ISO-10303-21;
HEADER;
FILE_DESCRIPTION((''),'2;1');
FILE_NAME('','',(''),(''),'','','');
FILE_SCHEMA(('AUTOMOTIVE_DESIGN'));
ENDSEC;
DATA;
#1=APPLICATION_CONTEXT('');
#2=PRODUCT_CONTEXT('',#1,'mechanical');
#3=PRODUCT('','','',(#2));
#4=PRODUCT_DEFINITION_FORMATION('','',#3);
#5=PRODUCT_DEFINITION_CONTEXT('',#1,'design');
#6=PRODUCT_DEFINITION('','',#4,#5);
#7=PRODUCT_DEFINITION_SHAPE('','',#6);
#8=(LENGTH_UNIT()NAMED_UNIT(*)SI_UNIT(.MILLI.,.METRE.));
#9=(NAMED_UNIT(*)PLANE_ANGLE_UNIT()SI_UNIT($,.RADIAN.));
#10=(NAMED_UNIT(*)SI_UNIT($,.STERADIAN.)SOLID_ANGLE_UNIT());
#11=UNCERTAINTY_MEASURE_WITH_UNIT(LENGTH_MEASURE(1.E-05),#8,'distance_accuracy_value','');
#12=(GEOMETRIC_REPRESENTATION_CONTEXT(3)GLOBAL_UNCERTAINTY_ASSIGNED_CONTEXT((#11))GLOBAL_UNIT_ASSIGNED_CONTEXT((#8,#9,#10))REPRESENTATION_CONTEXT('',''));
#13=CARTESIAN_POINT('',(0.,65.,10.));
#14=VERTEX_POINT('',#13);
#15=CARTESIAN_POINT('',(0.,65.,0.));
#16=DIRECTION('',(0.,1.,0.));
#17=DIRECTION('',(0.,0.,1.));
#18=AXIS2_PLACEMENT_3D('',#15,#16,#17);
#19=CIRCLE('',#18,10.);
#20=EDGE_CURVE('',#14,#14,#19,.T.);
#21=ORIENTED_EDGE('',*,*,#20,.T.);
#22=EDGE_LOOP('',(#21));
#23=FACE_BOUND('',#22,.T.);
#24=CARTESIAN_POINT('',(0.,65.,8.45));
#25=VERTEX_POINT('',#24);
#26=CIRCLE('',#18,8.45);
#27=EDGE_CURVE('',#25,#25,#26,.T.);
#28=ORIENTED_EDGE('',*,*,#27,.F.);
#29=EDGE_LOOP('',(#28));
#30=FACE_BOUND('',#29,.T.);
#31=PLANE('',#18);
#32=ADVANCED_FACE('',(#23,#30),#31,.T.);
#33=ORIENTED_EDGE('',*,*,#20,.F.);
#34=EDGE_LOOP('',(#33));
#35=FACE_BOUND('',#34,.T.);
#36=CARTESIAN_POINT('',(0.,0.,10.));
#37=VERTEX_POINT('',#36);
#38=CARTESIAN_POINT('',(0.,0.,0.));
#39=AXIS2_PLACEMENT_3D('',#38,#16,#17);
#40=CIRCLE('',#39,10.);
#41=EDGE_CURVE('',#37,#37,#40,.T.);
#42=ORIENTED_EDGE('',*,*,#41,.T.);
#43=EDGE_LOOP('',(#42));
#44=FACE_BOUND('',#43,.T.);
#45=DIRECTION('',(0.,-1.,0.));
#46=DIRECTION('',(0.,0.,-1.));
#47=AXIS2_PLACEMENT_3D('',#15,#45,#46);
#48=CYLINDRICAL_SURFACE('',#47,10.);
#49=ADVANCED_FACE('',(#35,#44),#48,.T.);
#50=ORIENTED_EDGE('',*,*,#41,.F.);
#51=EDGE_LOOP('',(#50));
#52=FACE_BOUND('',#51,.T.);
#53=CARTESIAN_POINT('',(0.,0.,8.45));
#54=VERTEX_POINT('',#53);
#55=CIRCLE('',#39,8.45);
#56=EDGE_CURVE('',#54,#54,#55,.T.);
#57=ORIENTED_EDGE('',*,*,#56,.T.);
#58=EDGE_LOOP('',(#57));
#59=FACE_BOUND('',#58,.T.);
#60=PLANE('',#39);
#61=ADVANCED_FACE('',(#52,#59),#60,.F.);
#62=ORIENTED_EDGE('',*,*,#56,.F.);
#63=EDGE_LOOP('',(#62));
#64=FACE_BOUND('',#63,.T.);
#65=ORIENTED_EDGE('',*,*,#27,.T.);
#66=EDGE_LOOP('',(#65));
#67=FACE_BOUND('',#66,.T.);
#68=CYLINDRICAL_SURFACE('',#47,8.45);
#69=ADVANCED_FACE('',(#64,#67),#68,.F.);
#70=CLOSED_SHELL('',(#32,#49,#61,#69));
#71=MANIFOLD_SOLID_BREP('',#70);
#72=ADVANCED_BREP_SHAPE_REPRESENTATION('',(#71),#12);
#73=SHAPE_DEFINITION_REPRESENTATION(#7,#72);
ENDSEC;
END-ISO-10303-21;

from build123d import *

# Parameters (mm, degrees)
SKETCH_1_R      = 10
SKETCH_1_R_2    = 8.45
EXTRUDE_1_DEPTH = 65


with BuildPart() as part:
    # Эскиз1 → Бобышка-Вытянуть1 (new body)
    with BuildSketch(Plane(origin=(0, 0, 0), x_dir=(1, 0, 0), z_dir=(0, 1, 0))):
        with Locations(Location((0, 0, 0), (0, 0, 270))):
            Circle(SKETCH_1_R)
        with Locations(Location((0, 0, 0), (0, 0, 270))):
            Circle(SKETCH_1_R_2, mode=Mode.SUBTRACT)
    extrude(amount=EXTRUDE_1_DEPTH)


solid = part.part
